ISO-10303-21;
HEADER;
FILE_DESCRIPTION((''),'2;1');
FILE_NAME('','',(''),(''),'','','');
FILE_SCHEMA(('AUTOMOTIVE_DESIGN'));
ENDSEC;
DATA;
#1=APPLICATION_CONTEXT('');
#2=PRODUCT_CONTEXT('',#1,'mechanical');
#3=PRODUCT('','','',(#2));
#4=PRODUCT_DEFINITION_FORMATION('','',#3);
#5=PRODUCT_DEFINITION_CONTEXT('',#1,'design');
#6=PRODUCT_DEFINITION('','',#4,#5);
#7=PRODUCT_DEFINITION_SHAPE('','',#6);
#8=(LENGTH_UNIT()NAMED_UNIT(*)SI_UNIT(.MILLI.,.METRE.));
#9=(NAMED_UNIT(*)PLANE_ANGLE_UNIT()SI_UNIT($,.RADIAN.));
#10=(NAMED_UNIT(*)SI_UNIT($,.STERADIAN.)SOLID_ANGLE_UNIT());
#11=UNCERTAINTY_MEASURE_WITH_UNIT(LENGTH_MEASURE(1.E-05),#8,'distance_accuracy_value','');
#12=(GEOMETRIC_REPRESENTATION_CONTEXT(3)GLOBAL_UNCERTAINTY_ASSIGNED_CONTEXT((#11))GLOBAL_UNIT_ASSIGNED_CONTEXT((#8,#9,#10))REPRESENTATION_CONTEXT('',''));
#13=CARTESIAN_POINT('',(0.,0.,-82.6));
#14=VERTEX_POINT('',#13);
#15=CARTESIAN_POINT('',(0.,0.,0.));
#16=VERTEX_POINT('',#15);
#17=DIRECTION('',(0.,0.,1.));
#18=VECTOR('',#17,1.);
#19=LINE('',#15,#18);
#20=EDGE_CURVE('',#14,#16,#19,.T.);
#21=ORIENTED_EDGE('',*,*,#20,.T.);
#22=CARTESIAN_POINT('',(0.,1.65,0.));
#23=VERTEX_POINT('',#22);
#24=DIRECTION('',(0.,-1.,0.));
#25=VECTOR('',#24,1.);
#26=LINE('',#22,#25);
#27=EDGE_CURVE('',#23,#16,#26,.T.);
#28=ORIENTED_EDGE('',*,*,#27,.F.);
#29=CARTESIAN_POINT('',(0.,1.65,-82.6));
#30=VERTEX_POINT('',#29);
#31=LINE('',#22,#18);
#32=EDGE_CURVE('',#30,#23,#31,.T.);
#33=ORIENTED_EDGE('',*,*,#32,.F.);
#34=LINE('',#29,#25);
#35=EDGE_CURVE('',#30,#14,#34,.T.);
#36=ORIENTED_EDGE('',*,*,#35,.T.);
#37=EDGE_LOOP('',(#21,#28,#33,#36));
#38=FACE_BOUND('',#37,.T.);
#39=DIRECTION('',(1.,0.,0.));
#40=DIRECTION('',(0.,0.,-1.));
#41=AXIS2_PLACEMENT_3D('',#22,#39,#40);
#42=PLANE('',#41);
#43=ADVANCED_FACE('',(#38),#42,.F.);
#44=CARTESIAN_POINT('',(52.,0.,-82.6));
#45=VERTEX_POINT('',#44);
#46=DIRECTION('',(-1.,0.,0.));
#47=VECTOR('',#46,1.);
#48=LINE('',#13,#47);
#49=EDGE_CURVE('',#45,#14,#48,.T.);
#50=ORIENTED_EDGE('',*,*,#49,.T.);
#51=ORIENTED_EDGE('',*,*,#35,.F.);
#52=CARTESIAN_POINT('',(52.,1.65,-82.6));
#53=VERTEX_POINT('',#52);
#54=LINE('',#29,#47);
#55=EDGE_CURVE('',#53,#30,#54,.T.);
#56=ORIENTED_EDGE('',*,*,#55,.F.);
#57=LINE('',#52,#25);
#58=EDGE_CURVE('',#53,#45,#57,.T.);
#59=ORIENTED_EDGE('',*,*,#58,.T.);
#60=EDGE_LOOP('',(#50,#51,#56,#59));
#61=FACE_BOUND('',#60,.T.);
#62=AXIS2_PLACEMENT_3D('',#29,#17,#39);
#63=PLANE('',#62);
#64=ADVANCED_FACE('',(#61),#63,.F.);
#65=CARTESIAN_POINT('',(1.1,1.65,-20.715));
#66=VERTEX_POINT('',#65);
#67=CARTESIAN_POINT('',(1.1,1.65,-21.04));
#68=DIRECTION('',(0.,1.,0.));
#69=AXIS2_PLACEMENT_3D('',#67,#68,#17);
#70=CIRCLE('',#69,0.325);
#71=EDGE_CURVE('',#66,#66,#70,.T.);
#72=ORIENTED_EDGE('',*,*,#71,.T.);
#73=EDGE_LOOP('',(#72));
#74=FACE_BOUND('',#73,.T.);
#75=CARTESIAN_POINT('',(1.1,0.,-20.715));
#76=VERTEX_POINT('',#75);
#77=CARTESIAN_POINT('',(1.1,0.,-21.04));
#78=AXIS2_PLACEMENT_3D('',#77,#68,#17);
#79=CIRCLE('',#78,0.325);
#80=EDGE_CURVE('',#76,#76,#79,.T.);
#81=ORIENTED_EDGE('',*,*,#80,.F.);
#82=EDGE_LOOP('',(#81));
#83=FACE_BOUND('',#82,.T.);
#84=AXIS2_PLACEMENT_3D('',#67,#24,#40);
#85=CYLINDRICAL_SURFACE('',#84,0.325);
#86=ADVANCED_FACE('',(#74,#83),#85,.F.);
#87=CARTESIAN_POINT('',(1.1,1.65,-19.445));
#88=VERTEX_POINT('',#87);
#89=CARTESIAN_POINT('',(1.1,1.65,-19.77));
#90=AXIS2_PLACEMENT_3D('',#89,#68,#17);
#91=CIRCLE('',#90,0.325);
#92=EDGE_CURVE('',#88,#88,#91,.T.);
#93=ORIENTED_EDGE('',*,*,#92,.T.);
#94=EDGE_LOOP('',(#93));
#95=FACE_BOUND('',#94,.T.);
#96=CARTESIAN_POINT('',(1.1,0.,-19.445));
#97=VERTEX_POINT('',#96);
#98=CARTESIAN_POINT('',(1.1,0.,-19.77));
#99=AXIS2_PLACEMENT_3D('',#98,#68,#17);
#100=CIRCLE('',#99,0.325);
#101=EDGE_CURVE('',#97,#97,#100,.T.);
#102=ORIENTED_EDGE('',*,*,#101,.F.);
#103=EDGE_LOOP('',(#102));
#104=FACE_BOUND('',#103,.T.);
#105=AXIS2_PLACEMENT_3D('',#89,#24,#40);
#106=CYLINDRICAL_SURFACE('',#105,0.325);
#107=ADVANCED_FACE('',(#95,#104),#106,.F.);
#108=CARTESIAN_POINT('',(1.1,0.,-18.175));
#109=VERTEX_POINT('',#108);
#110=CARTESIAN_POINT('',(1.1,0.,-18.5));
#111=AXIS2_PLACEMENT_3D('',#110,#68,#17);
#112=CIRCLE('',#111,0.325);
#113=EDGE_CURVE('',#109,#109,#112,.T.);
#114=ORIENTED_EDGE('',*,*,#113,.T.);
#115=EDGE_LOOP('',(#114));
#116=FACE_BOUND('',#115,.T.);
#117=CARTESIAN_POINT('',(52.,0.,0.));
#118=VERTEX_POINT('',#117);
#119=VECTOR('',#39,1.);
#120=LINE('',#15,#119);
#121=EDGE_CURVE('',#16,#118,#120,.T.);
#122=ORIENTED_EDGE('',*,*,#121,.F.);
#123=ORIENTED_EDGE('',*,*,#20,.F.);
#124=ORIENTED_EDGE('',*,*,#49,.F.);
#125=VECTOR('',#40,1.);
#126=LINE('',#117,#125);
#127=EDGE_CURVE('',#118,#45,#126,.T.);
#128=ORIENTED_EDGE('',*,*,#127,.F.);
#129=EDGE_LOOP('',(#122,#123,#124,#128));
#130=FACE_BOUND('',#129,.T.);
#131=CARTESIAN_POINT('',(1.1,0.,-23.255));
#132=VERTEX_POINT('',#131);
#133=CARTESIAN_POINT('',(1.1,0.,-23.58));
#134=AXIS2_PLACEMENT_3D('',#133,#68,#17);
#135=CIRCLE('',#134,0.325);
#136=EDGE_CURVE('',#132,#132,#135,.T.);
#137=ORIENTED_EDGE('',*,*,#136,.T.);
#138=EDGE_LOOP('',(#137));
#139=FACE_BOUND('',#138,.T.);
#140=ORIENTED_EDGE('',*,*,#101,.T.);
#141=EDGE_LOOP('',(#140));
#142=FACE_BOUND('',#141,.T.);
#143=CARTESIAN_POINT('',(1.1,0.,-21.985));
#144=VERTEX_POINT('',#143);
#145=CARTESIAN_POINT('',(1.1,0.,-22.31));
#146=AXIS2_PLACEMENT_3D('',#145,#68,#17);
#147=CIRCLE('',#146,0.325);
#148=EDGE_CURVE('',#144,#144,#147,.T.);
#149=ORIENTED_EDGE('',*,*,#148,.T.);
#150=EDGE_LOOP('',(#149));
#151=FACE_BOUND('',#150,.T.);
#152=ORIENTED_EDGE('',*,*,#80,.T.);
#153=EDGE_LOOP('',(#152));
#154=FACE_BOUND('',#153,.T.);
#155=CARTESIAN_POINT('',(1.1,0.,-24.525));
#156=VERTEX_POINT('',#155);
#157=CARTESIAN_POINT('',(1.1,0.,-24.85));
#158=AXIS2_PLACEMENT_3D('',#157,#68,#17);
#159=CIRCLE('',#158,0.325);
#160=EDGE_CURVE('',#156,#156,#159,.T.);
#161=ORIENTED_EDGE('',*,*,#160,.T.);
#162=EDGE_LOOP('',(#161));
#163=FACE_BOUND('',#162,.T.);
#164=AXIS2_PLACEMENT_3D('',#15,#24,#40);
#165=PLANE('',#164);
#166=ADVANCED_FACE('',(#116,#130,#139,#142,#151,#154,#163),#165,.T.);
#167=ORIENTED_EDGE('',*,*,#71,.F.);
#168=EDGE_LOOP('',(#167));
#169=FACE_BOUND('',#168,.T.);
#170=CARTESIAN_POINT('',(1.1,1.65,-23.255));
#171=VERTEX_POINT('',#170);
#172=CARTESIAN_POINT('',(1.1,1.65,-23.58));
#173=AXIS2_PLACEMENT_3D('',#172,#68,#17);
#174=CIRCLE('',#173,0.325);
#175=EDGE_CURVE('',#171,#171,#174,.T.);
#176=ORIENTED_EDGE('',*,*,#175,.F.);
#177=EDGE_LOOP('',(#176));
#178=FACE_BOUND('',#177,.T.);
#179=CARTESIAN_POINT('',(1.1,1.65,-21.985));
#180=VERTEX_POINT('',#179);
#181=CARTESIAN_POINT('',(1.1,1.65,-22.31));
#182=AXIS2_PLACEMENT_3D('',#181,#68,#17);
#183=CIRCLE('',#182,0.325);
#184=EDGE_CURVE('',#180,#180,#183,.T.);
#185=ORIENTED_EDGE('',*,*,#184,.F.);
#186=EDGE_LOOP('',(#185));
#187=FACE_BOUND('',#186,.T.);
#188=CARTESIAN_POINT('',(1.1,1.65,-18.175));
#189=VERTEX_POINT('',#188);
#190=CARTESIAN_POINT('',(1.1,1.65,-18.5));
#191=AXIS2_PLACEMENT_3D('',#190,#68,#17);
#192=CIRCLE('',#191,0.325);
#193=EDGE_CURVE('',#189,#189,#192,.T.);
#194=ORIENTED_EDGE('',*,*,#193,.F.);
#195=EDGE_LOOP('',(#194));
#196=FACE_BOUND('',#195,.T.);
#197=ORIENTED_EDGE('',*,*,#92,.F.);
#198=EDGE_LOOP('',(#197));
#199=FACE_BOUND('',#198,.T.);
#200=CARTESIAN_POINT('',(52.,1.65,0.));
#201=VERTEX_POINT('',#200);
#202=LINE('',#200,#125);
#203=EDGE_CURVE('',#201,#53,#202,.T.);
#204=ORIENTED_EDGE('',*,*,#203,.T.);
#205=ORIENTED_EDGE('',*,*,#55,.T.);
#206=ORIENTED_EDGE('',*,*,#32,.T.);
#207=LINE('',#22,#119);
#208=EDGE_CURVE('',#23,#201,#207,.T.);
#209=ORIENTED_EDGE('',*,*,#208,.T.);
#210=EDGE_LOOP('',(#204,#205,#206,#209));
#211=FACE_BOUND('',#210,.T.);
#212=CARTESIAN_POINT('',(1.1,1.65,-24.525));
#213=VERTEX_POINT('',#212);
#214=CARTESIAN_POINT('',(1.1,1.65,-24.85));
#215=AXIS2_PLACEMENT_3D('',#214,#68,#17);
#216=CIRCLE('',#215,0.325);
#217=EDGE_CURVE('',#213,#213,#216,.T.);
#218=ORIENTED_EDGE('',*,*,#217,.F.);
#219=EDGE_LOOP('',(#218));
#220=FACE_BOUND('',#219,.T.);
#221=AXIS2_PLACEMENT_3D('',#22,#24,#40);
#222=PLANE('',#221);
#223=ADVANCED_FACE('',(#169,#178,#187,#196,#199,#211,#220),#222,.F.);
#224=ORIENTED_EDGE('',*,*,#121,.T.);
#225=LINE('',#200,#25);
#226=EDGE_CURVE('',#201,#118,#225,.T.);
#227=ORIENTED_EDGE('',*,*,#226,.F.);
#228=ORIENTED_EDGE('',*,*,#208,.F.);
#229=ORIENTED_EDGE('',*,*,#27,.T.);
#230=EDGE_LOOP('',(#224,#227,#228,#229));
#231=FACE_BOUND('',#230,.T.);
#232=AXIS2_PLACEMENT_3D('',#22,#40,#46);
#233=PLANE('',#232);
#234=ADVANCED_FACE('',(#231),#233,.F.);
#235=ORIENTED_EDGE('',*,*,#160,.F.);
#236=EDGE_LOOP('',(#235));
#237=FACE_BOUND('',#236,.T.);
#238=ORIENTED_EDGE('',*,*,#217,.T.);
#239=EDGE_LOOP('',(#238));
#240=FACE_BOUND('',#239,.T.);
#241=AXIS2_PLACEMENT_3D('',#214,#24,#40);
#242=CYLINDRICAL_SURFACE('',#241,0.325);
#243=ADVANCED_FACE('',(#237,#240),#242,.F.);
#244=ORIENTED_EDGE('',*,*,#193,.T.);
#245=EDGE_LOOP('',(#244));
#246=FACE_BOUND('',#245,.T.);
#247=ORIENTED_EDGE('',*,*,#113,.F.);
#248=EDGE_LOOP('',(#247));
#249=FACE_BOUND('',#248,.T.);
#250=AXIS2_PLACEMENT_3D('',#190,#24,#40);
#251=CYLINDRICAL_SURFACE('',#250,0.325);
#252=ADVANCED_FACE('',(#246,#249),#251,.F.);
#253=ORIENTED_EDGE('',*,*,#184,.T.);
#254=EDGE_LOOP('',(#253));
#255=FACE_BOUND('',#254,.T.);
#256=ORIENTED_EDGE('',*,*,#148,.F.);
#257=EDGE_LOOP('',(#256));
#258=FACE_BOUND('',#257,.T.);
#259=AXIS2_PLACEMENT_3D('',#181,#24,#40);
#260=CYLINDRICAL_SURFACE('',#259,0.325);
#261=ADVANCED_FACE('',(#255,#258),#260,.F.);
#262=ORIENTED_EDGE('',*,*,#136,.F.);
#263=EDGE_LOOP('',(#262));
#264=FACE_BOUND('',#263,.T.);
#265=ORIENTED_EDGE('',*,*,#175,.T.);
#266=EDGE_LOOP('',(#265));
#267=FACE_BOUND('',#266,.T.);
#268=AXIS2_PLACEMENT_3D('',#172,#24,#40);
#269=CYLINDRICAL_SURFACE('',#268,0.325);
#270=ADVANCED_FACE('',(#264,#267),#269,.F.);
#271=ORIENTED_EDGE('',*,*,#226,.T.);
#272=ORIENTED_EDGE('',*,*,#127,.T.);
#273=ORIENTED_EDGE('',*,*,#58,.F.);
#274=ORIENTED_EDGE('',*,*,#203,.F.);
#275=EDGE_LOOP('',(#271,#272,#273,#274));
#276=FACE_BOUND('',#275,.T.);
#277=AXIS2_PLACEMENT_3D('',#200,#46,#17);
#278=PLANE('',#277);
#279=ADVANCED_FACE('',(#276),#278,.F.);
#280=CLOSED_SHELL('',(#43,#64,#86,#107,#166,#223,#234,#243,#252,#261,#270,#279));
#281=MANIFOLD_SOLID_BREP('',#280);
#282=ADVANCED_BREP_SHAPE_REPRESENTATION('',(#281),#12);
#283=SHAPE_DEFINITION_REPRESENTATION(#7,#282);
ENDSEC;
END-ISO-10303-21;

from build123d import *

# Parameters (mm, degrees)
SKETCH1_W           = 52
SKETCH1_H           = 82.6
BOSS_EXTRUDE1_DEPTH = 1.65
SKETCH2_R           = 0.325
CUT_EXTRUDE4_DEPTH  = 98.619068322
LPATTERN1_COUNT     = 6
LPATTERN1_PITCH     = 1.27


with BuildPart() as part:
    # Sketch1 → Boss-Extrude1 (new body)
    with BuildSketch(Plane(origin=(0, 0, 0), x_dir=(1, 0, 0), z_dir=(0, 1, 0))):
        with Locations((26, 41.3)):
            Rectangle(SKETCH1_W, SKETCH1_H)
    extrude(amount=BOSS_EXTRUDE1_DEPTH)

    # Sketch2 → Cut-Extrude4 (cut, through all)
    with BuildSketch(Plane(origin=(0, 0, 0), x_dir=(1, 0, 0), z_dir=(0, 1, 0))):
        with Locations(Location((1.1, 18.5, 0), (0, 0, 270))):
            Circle(SKETCH2_R)
    cut_extrude4 = extrude(amount=CUT_EXTRUDE4_DEPTH, mode=Mode.SUBTRACT)

    # LPattern1: Cut-Extrude4 ×6
    with Locations(*[(0, 0, -i * LPATTERN1_PITCH) for i in range(1, LPATTERN1_COUNT)]):
        add(cut_extrude4, mode=Mode.SUBTRACT)


solid = part.part
